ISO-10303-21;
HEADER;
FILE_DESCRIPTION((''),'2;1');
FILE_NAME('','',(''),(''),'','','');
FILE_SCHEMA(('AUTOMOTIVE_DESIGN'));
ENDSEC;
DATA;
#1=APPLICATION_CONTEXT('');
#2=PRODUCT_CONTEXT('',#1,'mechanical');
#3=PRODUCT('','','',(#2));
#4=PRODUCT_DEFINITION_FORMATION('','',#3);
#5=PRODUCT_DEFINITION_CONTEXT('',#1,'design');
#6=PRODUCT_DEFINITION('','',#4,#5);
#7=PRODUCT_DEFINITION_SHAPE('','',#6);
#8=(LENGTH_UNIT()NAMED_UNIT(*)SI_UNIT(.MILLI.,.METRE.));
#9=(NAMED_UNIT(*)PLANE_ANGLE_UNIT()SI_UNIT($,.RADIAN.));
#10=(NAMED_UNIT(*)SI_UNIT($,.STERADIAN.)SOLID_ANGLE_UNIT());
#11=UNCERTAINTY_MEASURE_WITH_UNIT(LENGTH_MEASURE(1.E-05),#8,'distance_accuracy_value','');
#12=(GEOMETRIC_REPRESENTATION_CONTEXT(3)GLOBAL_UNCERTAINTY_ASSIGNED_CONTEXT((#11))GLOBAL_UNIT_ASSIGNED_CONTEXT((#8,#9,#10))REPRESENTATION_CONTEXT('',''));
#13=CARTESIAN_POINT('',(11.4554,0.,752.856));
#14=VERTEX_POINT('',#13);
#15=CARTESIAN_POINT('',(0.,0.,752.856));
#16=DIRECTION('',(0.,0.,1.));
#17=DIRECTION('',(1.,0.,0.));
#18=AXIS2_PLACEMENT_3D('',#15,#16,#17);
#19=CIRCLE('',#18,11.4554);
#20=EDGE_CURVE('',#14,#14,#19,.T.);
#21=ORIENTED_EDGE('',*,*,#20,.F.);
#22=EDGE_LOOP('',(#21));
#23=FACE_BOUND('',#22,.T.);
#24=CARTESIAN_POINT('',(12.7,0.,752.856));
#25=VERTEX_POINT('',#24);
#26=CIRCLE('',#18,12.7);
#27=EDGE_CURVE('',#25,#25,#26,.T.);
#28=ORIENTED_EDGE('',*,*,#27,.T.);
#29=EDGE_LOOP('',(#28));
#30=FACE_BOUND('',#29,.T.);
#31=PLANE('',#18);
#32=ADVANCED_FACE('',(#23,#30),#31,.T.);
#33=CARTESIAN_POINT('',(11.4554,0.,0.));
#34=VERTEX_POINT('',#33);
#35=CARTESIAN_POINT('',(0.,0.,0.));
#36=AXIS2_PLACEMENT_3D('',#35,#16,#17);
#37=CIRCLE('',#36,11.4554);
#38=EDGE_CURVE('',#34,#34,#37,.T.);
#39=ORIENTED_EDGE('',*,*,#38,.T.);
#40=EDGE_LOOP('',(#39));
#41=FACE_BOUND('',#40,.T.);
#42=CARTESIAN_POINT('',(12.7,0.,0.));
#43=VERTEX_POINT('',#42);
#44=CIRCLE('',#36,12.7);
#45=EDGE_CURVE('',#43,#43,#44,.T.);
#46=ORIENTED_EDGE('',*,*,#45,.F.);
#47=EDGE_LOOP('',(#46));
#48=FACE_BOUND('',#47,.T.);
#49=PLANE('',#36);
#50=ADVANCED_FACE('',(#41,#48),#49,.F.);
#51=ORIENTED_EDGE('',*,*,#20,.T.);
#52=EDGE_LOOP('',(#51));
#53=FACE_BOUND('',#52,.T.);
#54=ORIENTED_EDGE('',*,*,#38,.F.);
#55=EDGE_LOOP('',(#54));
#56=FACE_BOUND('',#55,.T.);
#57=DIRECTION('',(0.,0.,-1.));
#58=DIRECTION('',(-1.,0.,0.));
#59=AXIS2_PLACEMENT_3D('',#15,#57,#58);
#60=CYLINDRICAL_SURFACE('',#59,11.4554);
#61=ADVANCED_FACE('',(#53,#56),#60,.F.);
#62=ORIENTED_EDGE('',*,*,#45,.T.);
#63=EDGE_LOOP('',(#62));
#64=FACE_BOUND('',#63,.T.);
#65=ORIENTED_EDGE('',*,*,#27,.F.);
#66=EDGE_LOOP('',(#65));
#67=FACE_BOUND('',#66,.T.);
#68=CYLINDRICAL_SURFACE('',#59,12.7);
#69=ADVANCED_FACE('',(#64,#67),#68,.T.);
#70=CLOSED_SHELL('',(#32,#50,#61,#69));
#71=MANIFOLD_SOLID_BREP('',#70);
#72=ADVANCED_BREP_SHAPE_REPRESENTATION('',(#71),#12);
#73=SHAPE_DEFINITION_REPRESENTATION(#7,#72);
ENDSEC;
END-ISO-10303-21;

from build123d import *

# Parameters (mm, degrees)
SKETCH1_R           = 12.7
SKETCH1_R_2         = 11.4554
BOSS_EXTRUDE1_DEPTH = 752.856


with BuildPart() as part:
    # Sketch1 → Boss-Extrude1 (new body)
    with BuildSketch(Plane.XY):
        Circle(SKETCH1_R)
        Circle(SKETCH1_R_2, mode=Mode.SUBTRACT)
    extrude(amount=BOSS_EXTRUDE1_DEPTH)


solid = part.part
